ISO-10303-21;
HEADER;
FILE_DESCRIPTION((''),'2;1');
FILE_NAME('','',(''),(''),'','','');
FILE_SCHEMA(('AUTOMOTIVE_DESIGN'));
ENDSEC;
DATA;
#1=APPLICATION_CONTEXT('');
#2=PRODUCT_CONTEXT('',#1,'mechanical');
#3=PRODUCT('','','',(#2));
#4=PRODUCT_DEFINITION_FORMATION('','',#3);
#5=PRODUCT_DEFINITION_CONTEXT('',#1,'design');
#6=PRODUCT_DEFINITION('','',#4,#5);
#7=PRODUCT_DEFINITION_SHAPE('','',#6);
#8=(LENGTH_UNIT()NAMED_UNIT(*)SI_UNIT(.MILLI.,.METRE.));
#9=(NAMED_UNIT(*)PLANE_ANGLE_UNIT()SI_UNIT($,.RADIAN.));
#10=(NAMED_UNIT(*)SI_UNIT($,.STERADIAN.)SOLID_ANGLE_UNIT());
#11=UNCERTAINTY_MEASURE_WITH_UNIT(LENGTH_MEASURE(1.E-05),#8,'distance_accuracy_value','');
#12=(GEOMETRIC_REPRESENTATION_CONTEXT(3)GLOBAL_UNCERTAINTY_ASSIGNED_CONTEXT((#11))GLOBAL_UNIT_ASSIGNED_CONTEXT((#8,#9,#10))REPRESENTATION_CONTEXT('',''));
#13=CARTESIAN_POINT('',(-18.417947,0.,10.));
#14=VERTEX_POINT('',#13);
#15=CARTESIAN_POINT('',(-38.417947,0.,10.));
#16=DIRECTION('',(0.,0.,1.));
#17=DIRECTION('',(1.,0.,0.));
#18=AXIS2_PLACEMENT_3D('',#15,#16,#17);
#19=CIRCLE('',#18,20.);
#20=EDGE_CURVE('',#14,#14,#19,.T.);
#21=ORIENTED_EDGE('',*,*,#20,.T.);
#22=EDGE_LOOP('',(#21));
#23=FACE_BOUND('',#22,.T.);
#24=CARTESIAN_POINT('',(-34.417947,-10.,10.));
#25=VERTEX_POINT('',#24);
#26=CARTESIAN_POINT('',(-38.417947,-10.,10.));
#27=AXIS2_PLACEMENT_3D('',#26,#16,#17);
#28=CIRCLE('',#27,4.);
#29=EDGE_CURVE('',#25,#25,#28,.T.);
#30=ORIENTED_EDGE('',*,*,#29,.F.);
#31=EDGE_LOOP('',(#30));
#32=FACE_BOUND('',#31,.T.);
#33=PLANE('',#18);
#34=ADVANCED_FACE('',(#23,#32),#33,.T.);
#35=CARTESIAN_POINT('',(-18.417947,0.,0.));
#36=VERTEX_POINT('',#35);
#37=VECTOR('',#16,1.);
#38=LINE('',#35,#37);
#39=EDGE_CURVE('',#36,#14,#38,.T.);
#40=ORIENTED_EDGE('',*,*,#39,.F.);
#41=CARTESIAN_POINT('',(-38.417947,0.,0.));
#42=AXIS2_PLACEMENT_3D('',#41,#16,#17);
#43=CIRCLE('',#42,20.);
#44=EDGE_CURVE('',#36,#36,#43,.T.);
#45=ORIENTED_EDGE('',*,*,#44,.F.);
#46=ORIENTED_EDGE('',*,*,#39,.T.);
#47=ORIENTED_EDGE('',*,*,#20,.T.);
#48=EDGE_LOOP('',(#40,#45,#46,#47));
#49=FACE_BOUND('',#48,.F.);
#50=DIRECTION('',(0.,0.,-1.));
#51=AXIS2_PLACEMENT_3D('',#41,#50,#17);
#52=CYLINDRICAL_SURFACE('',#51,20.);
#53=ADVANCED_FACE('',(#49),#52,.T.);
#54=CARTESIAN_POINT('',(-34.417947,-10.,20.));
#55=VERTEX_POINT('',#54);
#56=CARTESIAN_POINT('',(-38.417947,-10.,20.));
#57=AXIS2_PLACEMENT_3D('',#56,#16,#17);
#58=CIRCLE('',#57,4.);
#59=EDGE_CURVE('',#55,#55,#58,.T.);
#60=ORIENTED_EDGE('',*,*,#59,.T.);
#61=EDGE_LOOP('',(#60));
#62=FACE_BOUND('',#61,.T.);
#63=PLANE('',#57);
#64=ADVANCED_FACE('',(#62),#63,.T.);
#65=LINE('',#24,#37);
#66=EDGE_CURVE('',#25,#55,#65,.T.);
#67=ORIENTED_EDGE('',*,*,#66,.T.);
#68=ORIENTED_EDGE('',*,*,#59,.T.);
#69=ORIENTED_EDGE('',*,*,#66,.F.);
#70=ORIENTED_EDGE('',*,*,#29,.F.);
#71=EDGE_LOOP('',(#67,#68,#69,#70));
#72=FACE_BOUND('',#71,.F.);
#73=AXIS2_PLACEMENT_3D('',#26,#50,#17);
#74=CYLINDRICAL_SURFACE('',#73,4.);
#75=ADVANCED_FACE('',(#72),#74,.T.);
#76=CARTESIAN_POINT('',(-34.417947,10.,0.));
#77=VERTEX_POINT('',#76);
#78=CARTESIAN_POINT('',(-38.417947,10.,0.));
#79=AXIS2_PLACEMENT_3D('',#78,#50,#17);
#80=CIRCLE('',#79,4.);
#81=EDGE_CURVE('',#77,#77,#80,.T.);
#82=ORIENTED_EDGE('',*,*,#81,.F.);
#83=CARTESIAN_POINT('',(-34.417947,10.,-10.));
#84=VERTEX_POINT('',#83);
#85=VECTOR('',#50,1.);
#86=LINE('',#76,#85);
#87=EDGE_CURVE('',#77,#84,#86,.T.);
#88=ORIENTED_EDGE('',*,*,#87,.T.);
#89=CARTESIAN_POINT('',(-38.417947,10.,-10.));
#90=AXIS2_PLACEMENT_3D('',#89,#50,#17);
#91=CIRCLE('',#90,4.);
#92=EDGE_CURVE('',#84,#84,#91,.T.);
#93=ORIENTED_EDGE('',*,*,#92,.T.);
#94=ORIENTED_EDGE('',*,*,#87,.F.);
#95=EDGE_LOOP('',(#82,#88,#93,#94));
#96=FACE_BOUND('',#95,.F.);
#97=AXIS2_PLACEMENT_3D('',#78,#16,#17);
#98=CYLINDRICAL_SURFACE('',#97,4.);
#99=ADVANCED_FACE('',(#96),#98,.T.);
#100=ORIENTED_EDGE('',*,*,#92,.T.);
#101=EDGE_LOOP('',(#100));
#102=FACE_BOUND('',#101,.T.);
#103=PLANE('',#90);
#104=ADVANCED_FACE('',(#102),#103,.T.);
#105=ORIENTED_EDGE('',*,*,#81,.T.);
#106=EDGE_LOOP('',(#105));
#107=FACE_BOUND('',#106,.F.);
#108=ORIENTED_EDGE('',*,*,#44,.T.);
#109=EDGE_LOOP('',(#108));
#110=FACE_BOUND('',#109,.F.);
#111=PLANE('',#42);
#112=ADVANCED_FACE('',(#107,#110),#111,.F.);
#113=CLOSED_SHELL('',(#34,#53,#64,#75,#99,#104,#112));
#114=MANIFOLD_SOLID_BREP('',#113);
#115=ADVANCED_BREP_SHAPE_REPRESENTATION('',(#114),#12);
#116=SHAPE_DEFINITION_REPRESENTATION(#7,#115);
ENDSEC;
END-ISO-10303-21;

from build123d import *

# Parameters (mm, degrees)
F0_R     = 20
F1_DEPTH = 10
F2_R     = 4
F3_DEPTH = 10
F4_R     = 4
F5_DEPTH = 10


with BuildPart() as f1:
    # F0 (on Top) → F1 (new body)
    with BuildSketch(Plane.XY):
        with Locations((-38.417947, 0)):
            Circle(F0_R)
    extrude(amount=F1_DEPTH)

    # F2 (on face) → F3 (join)
    with BuildSketch(Plane(origin=(0, 0, 0), x_dir=(1, 0, 0), z_dir=(0, 0, -1))):
        with Locations((-38.417947, -10)):
            Circle(F2_R)
    extrude(amount=F3_DEPTH)

    # F4 (on face) → F5 (join)
    with BuildSketch(Plane.XY.offset(10)):
        with Locations((-38.417947, -10)):
            Circle(F4_R)
    extrude(amount=F5_DEPTH)


solid = f1.part
